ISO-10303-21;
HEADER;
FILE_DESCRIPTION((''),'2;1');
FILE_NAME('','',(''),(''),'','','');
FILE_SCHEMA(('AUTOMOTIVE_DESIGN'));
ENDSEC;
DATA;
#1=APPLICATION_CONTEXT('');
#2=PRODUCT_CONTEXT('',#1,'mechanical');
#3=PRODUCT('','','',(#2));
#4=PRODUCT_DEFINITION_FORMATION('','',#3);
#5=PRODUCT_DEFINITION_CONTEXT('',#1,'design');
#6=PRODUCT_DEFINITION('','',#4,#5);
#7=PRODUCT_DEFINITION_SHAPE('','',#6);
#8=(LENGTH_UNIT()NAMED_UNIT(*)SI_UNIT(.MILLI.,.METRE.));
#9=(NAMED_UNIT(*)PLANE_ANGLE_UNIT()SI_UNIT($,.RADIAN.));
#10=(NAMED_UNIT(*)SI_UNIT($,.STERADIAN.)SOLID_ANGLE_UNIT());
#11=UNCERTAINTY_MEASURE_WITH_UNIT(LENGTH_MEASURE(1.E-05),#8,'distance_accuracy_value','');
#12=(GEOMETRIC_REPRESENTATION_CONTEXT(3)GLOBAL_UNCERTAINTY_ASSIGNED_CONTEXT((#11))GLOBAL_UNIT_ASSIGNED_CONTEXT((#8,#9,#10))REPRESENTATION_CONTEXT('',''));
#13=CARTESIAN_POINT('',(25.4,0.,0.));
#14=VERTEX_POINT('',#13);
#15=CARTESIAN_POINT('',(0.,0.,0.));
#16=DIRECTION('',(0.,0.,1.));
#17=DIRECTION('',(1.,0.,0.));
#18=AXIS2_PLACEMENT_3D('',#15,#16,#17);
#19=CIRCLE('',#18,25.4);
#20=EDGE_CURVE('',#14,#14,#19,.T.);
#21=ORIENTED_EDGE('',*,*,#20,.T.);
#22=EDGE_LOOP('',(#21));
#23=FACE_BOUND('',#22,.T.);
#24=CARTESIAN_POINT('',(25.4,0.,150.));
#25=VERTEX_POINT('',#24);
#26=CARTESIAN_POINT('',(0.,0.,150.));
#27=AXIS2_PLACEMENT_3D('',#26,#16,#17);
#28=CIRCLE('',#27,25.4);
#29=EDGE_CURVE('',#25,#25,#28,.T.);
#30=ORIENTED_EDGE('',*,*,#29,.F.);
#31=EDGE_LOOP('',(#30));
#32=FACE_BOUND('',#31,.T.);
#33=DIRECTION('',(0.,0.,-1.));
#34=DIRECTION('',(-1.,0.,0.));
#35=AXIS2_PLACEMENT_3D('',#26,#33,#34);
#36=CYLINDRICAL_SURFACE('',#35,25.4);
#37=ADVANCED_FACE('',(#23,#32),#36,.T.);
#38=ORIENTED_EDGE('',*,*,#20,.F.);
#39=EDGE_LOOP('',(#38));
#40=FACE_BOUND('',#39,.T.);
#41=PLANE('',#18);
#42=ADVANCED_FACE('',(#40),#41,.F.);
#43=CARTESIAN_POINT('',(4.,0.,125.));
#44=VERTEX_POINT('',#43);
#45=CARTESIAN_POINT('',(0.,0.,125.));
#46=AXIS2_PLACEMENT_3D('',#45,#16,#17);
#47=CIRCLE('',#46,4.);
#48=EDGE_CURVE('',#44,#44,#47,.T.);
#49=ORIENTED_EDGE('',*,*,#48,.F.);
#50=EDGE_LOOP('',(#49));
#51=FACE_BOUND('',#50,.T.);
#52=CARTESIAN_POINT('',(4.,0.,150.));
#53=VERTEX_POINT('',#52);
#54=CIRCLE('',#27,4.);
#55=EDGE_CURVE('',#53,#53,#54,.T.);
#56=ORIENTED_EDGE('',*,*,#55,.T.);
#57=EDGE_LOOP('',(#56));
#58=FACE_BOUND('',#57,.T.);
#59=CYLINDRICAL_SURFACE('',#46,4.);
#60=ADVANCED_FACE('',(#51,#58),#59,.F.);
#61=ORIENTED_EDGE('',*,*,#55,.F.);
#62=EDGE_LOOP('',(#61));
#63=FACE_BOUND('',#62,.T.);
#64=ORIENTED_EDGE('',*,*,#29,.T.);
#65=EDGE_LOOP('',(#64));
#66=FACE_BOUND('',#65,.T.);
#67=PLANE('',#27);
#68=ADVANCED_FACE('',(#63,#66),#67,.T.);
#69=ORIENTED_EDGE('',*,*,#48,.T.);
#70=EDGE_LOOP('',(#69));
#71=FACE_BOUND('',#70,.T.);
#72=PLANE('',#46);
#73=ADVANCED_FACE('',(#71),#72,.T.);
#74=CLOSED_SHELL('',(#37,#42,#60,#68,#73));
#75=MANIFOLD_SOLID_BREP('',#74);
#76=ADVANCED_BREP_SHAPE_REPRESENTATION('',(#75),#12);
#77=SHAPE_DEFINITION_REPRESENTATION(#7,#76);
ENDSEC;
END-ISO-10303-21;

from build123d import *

# Parameters (mm, degrees)
SKETCH1_R           = 25.4
BOSS_EXTRUDE1_DEPTH = 150
SKETCH2_R           = 4
CUT_EXTRUDE1_DEPTH  = 25


with BuildPart() as part:
    # Sketch1 → Boss-Extrude1 (new body)
    with BuildSketch(Plane.XY):
        Circle(SKETCH1_R)
    extrude(amount=BOSS_EXTRUDE1_DEPTH)

    # Sketch2 → Cut-Extrude1 (cut)
    with BuildSketch(Plane.XY.offset(150)):
        Circle(SKETCH2_R)
    extrude(amount=-CUT_EXTRUDE1_DEPTH, mode=Mode.SUBTRACT)


solid = part.part
